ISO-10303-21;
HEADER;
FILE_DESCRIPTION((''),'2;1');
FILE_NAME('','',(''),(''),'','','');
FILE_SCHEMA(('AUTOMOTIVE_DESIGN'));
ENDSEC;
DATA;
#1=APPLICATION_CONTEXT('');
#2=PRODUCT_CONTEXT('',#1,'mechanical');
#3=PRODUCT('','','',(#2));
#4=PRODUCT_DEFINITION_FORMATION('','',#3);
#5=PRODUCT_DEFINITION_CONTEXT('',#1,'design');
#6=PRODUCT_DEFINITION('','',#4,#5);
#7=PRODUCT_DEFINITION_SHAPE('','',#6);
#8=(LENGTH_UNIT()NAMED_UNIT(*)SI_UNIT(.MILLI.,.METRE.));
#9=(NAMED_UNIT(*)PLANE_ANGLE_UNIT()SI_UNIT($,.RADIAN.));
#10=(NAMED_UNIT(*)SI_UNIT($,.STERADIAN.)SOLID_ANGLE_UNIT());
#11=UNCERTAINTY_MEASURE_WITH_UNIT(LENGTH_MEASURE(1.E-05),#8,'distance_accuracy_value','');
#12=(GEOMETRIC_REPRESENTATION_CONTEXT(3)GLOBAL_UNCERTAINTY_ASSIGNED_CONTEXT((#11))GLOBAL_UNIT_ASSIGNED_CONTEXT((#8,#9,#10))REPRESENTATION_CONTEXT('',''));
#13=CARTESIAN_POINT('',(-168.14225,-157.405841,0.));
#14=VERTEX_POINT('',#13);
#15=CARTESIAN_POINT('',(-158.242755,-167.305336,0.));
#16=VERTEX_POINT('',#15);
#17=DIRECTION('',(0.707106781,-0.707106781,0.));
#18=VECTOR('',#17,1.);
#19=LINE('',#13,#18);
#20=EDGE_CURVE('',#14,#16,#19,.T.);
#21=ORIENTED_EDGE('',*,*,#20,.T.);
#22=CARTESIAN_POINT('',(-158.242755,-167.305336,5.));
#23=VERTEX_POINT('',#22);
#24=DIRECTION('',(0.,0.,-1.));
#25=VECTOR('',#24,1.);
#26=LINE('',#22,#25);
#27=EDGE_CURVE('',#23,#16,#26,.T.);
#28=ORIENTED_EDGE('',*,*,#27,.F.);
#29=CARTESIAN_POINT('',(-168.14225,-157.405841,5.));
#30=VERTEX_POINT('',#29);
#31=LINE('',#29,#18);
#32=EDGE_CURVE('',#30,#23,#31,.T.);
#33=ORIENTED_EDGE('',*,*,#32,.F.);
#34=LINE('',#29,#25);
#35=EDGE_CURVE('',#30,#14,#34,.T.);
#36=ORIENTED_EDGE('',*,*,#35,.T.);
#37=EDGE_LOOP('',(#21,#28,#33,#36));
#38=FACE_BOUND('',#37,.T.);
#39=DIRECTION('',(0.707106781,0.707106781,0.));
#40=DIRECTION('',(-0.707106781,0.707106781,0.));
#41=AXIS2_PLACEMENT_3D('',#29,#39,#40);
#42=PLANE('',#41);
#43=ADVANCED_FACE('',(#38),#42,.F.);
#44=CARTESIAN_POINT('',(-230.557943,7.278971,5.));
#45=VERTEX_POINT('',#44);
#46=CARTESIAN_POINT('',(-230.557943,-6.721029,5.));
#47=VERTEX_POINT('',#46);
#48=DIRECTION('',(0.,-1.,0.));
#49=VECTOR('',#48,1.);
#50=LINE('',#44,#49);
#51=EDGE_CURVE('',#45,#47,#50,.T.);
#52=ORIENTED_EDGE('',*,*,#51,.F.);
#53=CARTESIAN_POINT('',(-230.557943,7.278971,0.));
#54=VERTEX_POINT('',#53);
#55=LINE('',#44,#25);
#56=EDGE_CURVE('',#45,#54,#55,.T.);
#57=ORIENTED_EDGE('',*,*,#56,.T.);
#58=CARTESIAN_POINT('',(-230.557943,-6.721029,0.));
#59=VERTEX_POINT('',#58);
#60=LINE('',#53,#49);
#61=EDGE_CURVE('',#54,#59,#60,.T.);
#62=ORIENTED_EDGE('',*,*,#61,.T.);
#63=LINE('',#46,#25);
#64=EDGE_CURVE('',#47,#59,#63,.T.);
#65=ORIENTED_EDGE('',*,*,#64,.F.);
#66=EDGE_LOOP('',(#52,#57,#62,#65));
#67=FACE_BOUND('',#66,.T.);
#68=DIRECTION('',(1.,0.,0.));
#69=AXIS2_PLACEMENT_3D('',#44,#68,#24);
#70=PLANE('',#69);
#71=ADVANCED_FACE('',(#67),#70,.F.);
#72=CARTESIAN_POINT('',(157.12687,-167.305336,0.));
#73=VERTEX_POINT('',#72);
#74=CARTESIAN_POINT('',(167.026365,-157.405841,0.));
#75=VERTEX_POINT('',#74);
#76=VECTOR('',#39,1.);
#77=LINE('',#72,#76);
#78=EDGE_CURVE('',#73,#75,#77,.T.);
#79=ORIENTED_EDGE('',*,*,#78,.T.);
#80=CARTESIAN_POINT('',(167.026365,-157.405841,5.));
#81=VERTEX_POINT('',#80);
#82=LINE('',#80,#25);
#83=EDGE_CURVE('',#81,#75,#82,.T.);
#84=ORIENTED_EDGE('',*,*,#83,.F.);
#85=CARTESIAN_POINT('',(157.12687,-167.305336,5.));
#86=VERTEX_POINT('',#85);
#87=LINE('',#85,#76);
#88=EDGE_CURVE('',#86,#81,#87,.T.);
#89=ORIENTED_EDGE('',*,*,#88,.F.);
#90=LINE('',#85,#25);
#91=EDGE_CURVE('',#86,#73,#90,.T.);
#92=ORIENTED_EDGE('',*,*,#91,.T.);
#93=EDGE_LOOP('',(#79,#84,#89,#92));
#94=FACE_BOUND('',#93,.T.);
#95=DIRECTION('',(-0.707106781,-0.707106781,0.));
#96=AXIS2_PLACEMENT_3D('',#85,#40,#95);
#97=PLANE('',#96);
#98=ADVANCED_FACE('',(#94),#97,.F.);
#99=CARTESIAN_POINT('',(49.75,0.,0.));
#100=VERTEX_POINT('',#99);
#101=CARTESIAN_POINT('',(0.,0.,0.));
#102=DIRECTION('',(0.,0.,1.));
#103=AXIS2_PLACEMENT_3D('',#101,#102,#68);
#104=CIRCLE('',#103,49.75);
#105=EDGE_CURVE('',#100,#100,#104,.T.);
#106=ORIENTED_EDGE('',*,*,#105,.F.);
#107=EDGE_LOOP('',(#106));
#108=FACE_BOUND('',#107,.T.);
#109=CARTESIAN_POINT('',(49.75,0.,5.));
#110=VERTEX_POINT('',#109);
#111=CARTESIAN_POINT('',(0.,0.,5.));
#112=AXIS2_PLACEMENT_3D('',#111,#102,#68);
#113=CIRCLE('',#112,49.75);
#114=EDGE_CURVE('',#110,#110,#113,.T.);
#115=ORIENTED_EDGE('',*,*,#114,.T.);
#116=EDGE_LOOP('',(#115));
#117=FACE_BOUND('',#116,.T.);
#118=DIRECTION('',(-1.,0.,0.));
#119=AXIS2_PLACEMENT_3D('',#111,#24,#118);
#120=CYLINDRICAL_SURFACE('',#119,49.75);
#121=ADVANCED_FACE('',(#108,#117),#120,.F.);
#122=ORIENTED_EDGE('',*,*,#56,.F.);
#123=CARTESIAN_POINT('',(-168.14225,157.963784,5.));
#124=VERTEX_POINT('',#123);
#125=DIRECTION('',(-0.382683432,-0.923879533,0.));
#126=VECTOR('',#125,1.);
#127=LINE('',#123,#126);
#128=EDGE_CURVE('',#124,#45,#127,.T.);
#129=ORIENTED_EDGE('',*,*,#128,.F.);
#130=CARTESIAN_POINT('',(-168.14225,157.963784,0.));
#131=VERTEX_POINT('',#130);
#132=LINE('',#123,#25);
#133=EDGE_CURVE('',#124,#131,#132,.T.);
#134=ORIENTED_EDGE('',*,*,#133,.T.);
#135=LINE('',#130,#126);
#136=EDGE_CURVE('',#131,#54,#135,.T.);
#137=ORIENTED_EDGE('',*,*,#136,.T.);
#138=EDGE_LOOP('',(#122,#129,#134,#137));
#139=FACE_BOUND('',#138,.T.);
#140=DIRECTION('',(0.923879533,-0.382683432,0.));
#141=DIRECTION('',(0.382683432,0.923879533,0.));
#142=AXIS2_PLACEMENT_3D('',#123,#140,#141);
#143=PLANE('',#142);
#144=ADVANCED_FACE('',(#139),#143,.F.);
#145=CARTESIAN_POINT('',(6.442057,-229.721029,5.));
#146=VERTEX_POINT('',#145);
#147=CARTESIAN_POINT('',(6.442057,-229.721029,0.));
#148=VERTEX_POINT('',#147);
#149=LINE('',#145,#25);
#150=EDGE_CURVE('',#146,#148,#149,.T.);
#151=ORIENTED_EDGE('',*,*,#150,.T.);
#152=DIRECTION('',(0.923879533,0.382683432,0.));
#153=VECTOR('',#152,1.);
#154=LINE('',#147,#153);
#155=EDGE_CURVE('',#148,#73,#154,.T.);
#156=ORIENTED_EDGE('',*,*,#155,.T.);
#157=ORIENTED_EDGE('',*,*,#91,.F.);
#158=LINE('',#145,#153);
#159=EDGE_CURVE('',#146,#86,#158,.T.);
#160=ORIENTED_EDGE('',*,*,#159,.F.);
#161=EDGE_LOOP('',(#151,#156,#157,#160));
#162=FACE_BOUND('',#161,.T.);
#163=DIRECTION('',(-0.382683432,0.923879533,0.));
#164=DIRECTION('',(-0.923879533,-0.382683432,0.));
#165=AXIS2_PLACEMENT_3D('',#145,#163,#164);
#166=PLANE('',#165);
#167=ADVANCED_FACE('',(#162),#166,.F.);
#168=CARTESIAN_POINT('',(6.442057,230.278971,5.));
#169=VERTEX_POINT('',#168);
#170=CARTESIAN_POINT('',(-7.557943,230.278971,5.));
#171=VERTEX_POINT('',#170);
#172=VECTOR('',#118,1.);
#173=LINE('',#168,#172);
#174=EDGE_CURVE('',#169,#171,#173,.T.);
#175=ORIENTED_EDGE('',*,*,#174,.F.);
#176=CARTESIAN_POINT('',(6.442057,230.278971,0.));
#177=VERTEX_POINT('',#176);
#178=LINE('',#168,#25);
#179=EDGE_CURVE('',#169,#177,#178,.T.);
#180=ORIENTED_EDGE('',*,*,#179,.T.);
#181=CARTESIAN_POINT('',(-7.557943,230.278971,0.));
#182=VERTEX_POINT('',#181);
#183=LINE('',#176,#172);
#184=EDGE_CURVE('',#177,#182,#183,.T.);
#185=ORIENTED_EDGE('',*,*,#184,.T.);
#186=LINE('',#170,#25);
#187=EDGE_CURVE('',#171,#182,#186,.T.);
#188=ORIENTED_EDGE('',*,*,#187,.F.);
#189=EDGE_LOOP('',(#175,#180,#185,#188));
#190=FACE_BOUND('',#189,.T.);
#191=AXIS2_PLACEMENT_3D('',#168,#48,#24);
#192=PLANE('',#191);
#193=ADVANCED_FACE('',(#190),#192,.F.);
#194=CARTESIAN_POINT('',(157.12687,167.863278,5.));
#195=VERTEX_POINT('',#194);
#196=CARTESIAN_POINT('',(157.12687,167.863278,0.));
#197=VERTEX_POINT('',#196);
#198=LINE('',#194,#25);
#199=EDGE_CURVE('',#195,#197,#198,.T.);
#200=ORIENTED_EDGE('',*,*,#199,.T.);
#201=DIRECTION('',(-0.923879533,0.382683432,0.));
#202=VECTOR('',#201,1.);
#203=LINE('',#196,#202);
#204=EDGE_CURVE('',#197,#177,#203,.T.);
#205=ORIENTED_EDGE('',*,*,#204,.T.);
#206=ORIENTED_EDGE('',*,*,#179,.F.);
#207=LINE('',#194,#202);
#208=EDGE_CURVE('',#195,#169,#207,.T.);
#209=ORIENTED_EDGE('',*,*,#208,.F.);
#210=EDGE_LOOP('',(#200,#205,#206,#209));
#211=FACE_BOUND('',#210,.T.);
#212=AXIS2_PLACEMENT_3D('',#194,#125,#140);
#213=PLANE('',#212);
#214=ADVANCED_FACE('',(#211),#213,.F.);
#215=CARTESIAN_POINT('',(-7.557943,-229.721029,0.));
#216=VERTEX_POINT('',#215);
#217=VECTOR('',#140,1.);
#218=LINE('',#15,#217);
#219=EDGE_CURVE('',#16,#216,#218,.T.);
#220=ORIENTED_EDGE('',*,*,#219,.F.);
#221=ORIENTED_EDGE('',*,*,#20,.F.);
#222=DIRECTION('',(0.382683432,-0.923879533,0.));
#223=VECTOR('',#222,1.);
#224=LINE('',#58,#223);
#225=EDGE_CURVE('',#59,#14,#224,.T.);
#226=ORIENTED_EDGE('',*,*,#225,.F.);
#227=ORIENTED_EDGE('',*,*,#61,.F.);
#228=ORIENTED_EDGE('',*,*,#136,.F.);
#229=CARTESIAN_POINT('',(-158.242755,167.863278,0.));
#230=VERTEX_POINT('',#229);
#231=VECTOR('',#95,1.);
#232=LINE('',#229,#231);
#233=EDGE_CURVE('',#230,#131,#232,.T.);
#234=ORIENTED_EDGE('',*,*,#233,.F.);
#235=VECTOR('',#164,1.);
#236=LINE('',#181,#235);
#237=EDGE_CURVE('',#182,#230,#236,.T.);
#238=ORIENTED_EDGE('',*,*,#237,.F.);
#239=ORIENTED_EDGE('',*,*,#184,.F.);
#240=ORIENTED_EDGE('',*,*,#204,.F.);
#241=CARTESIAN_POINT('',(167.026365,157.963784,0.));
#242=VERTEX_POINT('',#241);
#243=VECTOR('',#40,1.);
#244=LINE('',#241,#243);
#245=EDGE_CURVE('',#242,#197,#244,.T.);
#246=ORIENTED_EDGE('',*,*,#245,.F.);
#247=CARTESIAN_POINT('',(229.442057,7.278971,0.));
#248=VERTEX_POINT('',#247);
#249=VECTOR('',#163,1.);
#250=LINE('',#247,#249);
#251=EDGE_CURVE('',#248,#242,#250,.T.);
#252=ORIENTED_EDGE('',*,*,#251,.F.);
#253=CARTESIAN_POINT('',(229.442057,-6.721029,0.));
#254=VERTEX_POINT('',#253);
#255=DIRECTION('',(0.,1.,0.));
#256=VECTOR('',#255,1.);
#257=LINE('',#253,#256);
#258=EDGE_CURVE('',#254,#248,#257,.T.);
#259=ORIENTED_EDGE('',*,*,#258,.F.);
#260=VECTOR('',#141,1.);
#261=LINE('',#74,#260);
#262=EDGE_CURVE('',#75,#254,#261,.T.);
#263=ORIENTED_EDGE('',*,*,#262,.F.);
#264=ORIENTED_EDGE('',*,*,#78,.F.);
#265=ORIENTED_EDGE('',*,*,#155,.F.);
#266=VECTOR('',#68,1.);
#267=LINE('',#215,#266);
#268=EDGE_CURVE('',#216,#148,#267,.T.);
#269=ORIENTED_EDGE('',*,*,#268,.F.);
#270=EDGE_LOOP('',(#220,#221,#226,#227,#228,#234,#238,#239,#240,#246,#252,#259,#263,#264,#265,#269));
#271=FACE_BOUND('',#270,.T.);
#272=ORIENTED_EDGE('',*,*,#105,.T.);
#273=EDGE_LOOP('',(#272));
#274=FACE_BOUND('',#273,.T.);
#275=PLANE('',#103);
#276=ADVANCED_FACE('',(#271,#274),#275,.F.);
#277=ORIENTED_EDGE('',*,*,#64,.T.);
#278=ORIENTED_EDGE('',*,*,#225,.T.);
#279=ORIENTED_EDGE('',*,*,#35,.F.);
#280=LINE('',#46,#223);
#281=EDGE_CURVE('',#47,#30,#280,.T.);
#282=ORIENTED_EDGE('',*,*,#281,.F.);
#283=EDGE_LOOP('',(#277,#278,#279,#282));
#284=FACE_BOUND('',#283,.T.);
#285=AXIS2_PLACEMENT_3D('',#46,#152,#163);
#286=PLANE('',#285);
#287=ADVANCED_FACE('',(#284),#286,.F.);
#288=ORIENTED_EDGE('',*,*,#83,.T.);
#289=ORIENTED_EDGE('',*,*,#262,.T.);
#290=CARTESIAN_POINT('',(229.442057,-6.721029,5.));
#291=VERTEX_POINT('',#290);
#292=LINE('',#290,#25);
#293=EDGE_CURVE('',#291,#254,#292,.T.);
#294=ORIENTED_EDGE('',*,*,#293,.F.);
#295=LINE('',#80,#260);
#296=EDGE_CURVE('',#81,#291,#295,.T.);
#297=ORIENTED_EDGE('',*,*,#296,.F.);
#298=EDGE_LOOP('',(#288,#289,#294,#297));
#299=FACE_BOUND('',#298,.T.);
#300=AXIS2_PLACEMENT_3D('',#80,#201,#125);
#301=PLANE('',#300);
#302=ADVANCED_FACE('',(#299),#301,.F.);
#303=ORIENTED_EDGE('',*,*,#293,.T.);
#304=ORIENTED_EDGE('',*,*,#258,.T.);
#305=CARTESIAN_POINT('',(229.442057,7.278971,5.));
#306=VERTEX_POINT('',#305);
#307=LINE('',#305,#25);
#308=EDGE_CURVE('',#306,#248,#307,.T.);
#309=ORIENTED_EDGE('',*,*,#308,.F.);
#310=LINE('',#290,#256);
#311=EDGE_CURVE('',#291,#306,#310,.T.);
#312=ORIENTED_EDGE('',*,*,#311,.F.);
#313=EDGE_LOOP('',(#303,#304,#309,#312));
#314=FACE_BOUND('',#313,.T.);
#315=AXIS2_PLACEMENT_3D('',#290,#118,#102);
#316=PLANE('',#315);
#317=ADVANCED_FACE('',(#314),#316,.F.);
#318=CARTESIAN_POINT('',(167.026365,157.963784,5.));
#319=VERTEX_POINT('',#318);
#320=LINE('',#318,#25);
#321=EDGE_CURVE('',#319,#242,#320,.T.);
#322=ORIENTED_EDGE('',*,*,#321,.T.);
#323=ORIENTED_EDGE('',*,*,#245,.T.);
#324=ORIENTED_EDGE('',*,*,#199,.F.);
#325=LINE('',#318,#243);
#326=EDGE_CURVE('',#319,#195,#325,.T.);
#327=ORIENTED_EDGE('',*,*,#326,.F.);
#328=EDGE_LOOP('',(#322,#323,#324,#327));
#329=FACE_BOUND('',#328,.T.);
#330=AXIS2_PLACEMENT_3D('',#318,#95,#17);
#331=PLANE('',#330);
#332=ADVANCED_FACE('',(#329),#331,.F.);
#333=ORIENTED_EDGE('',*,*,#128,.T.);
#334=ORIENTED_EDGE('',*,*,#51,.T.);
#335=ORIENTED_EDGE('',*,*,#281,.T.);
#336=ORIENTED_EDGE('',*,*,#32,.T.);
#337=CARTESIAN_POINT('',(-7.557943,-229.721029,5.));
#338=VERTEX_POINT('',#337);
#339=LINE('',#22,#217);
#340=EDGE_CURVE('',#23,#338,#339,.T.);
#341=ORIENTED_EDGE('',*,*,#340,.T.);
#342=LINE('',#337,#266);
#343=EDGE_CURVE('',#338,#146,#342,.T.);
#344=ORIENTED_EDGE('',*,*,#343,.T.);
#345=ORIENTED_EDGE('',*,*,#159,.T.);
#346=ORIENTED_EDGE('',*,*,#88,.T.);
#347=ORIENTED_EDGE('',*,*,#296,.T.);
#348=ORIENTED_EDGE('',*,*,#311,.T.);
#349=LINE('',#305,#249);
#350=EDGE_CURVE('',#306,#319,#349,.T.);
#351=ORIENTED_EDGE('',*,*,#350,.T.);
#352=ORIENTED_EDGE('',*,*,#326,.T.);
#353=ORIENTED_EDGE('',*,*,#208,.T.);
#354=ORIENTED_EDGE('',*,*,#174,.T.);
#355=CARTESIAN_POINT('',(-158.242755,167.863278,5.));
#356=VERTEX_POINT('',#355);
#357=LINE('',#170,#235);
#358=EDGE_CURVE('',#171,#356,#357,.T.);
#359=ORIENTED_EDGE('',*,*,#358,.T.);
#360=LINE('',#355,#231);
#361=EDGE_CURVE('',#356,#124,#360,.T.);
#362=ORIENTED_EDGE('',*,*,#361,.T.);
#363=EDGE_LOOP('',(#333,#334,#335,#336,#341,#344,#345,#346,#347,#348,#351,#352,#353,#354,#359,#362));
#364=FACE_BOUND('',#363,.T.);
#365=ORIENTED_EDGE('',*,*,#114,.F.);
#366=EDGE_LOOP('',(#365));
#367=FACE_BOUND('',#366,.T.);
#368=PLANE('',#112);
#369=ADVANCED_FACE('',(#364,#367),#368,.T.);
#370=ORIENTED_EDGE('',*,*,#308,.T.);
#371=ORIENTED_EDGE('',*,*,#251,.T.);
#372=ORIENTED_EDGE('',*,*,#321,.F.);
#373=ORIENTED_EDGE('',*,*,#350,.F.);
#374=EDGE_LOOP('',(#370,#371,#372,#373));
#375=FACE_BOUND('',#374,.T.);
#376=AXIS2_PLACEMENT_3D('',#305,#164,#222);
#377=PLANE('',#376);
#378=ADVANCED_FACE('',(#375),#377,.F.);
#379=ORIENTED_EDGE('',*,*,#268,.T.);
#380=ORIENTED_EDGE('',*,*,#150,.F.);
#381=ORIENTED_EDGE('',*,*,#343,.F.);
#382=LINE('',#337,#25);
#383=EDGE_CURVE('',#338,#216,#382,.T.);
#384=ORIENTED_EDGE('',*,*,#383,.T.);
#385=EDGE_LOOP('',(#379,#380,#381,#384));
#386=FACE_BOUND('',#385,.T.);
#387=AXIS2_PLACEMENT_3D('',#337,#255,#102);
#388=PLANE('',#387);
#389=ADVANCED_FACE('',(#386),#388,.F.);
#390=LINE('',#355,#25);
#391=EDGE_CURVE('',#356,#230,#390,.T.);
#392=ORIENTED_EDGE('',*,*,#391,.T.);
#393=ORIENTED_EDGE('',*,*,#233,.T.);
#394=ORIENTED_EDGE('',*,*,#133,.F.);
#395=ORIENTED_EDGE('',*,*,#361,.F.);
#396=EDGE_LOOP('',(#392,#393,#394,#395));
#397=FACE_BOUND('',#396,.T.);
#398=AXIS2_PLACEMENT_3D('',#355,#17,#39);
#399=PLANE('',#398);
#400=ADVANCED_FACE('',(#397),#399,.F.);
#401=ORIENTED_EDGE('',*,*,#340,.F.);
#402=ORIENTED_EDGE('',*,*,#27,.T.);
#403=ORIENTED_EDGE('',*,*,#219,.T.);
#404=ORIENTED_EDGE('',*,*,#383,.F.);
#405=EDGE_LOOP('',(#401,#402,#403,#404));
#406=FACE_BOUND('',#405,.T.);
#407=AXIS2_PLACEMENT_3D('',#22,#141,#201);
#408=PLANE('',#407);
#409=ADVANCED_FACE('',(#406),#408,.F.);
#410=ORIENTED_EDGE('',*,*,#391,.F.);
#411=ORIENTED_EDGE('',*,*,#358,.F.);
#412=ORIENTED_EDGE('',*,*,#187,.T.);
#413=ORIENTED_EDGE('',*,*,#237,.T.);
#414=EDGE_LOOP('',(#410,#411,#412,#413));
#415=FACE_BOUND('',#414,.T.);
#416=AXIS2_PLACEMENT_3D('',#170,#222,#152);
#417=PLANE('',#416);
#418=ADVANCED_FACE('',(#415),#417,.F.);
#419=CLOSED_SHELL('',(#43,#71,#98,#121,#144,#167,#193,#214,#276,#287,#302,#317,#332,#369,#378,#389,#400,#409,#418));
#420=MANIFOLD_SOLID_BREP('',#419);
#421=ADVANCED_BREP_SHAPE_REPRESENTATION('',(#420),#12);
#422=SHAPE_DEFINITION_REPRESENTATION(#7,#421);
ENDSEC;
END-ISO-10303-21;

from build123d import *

# Parameters (mm, degrees)
SKETCH1_R           = 49.75
BOSS_EXTRUDE1_DEPTH = 5


with BuildPart() as part:
    # Sketch1 → Boss-Extrude1 (new body)
    with BuildSketch(Plane.XY):
        Polygon((-230.557942617, -6.721028691), (-168.142249758, -157.405840896), (-158.242754822, -167.305335833), (-7.557942617, -229.721028692), (6.442057383, -229.721028692), (157.126869588, -167.305335833), (167.026364524, -157.405840896), (229.442057383, -6.721028691), (229.442057383, 7.278971309), (167.026364524, 157.963783513), (157.126869588, 167.86327845), (6.442057383, 230.278971308), (-7.557942617, 230.278971308), (-158.242754822, 167.86327845), (-168.142249758, 157.963783513), (-230.557942617, 7.278971308), align=None)
        Circle(SKETCH1_R, mode=Mode.SUBTRACT)
    extrude(amount=BOSS_EXTRUDE1_DEPTH)


solid = part.part
